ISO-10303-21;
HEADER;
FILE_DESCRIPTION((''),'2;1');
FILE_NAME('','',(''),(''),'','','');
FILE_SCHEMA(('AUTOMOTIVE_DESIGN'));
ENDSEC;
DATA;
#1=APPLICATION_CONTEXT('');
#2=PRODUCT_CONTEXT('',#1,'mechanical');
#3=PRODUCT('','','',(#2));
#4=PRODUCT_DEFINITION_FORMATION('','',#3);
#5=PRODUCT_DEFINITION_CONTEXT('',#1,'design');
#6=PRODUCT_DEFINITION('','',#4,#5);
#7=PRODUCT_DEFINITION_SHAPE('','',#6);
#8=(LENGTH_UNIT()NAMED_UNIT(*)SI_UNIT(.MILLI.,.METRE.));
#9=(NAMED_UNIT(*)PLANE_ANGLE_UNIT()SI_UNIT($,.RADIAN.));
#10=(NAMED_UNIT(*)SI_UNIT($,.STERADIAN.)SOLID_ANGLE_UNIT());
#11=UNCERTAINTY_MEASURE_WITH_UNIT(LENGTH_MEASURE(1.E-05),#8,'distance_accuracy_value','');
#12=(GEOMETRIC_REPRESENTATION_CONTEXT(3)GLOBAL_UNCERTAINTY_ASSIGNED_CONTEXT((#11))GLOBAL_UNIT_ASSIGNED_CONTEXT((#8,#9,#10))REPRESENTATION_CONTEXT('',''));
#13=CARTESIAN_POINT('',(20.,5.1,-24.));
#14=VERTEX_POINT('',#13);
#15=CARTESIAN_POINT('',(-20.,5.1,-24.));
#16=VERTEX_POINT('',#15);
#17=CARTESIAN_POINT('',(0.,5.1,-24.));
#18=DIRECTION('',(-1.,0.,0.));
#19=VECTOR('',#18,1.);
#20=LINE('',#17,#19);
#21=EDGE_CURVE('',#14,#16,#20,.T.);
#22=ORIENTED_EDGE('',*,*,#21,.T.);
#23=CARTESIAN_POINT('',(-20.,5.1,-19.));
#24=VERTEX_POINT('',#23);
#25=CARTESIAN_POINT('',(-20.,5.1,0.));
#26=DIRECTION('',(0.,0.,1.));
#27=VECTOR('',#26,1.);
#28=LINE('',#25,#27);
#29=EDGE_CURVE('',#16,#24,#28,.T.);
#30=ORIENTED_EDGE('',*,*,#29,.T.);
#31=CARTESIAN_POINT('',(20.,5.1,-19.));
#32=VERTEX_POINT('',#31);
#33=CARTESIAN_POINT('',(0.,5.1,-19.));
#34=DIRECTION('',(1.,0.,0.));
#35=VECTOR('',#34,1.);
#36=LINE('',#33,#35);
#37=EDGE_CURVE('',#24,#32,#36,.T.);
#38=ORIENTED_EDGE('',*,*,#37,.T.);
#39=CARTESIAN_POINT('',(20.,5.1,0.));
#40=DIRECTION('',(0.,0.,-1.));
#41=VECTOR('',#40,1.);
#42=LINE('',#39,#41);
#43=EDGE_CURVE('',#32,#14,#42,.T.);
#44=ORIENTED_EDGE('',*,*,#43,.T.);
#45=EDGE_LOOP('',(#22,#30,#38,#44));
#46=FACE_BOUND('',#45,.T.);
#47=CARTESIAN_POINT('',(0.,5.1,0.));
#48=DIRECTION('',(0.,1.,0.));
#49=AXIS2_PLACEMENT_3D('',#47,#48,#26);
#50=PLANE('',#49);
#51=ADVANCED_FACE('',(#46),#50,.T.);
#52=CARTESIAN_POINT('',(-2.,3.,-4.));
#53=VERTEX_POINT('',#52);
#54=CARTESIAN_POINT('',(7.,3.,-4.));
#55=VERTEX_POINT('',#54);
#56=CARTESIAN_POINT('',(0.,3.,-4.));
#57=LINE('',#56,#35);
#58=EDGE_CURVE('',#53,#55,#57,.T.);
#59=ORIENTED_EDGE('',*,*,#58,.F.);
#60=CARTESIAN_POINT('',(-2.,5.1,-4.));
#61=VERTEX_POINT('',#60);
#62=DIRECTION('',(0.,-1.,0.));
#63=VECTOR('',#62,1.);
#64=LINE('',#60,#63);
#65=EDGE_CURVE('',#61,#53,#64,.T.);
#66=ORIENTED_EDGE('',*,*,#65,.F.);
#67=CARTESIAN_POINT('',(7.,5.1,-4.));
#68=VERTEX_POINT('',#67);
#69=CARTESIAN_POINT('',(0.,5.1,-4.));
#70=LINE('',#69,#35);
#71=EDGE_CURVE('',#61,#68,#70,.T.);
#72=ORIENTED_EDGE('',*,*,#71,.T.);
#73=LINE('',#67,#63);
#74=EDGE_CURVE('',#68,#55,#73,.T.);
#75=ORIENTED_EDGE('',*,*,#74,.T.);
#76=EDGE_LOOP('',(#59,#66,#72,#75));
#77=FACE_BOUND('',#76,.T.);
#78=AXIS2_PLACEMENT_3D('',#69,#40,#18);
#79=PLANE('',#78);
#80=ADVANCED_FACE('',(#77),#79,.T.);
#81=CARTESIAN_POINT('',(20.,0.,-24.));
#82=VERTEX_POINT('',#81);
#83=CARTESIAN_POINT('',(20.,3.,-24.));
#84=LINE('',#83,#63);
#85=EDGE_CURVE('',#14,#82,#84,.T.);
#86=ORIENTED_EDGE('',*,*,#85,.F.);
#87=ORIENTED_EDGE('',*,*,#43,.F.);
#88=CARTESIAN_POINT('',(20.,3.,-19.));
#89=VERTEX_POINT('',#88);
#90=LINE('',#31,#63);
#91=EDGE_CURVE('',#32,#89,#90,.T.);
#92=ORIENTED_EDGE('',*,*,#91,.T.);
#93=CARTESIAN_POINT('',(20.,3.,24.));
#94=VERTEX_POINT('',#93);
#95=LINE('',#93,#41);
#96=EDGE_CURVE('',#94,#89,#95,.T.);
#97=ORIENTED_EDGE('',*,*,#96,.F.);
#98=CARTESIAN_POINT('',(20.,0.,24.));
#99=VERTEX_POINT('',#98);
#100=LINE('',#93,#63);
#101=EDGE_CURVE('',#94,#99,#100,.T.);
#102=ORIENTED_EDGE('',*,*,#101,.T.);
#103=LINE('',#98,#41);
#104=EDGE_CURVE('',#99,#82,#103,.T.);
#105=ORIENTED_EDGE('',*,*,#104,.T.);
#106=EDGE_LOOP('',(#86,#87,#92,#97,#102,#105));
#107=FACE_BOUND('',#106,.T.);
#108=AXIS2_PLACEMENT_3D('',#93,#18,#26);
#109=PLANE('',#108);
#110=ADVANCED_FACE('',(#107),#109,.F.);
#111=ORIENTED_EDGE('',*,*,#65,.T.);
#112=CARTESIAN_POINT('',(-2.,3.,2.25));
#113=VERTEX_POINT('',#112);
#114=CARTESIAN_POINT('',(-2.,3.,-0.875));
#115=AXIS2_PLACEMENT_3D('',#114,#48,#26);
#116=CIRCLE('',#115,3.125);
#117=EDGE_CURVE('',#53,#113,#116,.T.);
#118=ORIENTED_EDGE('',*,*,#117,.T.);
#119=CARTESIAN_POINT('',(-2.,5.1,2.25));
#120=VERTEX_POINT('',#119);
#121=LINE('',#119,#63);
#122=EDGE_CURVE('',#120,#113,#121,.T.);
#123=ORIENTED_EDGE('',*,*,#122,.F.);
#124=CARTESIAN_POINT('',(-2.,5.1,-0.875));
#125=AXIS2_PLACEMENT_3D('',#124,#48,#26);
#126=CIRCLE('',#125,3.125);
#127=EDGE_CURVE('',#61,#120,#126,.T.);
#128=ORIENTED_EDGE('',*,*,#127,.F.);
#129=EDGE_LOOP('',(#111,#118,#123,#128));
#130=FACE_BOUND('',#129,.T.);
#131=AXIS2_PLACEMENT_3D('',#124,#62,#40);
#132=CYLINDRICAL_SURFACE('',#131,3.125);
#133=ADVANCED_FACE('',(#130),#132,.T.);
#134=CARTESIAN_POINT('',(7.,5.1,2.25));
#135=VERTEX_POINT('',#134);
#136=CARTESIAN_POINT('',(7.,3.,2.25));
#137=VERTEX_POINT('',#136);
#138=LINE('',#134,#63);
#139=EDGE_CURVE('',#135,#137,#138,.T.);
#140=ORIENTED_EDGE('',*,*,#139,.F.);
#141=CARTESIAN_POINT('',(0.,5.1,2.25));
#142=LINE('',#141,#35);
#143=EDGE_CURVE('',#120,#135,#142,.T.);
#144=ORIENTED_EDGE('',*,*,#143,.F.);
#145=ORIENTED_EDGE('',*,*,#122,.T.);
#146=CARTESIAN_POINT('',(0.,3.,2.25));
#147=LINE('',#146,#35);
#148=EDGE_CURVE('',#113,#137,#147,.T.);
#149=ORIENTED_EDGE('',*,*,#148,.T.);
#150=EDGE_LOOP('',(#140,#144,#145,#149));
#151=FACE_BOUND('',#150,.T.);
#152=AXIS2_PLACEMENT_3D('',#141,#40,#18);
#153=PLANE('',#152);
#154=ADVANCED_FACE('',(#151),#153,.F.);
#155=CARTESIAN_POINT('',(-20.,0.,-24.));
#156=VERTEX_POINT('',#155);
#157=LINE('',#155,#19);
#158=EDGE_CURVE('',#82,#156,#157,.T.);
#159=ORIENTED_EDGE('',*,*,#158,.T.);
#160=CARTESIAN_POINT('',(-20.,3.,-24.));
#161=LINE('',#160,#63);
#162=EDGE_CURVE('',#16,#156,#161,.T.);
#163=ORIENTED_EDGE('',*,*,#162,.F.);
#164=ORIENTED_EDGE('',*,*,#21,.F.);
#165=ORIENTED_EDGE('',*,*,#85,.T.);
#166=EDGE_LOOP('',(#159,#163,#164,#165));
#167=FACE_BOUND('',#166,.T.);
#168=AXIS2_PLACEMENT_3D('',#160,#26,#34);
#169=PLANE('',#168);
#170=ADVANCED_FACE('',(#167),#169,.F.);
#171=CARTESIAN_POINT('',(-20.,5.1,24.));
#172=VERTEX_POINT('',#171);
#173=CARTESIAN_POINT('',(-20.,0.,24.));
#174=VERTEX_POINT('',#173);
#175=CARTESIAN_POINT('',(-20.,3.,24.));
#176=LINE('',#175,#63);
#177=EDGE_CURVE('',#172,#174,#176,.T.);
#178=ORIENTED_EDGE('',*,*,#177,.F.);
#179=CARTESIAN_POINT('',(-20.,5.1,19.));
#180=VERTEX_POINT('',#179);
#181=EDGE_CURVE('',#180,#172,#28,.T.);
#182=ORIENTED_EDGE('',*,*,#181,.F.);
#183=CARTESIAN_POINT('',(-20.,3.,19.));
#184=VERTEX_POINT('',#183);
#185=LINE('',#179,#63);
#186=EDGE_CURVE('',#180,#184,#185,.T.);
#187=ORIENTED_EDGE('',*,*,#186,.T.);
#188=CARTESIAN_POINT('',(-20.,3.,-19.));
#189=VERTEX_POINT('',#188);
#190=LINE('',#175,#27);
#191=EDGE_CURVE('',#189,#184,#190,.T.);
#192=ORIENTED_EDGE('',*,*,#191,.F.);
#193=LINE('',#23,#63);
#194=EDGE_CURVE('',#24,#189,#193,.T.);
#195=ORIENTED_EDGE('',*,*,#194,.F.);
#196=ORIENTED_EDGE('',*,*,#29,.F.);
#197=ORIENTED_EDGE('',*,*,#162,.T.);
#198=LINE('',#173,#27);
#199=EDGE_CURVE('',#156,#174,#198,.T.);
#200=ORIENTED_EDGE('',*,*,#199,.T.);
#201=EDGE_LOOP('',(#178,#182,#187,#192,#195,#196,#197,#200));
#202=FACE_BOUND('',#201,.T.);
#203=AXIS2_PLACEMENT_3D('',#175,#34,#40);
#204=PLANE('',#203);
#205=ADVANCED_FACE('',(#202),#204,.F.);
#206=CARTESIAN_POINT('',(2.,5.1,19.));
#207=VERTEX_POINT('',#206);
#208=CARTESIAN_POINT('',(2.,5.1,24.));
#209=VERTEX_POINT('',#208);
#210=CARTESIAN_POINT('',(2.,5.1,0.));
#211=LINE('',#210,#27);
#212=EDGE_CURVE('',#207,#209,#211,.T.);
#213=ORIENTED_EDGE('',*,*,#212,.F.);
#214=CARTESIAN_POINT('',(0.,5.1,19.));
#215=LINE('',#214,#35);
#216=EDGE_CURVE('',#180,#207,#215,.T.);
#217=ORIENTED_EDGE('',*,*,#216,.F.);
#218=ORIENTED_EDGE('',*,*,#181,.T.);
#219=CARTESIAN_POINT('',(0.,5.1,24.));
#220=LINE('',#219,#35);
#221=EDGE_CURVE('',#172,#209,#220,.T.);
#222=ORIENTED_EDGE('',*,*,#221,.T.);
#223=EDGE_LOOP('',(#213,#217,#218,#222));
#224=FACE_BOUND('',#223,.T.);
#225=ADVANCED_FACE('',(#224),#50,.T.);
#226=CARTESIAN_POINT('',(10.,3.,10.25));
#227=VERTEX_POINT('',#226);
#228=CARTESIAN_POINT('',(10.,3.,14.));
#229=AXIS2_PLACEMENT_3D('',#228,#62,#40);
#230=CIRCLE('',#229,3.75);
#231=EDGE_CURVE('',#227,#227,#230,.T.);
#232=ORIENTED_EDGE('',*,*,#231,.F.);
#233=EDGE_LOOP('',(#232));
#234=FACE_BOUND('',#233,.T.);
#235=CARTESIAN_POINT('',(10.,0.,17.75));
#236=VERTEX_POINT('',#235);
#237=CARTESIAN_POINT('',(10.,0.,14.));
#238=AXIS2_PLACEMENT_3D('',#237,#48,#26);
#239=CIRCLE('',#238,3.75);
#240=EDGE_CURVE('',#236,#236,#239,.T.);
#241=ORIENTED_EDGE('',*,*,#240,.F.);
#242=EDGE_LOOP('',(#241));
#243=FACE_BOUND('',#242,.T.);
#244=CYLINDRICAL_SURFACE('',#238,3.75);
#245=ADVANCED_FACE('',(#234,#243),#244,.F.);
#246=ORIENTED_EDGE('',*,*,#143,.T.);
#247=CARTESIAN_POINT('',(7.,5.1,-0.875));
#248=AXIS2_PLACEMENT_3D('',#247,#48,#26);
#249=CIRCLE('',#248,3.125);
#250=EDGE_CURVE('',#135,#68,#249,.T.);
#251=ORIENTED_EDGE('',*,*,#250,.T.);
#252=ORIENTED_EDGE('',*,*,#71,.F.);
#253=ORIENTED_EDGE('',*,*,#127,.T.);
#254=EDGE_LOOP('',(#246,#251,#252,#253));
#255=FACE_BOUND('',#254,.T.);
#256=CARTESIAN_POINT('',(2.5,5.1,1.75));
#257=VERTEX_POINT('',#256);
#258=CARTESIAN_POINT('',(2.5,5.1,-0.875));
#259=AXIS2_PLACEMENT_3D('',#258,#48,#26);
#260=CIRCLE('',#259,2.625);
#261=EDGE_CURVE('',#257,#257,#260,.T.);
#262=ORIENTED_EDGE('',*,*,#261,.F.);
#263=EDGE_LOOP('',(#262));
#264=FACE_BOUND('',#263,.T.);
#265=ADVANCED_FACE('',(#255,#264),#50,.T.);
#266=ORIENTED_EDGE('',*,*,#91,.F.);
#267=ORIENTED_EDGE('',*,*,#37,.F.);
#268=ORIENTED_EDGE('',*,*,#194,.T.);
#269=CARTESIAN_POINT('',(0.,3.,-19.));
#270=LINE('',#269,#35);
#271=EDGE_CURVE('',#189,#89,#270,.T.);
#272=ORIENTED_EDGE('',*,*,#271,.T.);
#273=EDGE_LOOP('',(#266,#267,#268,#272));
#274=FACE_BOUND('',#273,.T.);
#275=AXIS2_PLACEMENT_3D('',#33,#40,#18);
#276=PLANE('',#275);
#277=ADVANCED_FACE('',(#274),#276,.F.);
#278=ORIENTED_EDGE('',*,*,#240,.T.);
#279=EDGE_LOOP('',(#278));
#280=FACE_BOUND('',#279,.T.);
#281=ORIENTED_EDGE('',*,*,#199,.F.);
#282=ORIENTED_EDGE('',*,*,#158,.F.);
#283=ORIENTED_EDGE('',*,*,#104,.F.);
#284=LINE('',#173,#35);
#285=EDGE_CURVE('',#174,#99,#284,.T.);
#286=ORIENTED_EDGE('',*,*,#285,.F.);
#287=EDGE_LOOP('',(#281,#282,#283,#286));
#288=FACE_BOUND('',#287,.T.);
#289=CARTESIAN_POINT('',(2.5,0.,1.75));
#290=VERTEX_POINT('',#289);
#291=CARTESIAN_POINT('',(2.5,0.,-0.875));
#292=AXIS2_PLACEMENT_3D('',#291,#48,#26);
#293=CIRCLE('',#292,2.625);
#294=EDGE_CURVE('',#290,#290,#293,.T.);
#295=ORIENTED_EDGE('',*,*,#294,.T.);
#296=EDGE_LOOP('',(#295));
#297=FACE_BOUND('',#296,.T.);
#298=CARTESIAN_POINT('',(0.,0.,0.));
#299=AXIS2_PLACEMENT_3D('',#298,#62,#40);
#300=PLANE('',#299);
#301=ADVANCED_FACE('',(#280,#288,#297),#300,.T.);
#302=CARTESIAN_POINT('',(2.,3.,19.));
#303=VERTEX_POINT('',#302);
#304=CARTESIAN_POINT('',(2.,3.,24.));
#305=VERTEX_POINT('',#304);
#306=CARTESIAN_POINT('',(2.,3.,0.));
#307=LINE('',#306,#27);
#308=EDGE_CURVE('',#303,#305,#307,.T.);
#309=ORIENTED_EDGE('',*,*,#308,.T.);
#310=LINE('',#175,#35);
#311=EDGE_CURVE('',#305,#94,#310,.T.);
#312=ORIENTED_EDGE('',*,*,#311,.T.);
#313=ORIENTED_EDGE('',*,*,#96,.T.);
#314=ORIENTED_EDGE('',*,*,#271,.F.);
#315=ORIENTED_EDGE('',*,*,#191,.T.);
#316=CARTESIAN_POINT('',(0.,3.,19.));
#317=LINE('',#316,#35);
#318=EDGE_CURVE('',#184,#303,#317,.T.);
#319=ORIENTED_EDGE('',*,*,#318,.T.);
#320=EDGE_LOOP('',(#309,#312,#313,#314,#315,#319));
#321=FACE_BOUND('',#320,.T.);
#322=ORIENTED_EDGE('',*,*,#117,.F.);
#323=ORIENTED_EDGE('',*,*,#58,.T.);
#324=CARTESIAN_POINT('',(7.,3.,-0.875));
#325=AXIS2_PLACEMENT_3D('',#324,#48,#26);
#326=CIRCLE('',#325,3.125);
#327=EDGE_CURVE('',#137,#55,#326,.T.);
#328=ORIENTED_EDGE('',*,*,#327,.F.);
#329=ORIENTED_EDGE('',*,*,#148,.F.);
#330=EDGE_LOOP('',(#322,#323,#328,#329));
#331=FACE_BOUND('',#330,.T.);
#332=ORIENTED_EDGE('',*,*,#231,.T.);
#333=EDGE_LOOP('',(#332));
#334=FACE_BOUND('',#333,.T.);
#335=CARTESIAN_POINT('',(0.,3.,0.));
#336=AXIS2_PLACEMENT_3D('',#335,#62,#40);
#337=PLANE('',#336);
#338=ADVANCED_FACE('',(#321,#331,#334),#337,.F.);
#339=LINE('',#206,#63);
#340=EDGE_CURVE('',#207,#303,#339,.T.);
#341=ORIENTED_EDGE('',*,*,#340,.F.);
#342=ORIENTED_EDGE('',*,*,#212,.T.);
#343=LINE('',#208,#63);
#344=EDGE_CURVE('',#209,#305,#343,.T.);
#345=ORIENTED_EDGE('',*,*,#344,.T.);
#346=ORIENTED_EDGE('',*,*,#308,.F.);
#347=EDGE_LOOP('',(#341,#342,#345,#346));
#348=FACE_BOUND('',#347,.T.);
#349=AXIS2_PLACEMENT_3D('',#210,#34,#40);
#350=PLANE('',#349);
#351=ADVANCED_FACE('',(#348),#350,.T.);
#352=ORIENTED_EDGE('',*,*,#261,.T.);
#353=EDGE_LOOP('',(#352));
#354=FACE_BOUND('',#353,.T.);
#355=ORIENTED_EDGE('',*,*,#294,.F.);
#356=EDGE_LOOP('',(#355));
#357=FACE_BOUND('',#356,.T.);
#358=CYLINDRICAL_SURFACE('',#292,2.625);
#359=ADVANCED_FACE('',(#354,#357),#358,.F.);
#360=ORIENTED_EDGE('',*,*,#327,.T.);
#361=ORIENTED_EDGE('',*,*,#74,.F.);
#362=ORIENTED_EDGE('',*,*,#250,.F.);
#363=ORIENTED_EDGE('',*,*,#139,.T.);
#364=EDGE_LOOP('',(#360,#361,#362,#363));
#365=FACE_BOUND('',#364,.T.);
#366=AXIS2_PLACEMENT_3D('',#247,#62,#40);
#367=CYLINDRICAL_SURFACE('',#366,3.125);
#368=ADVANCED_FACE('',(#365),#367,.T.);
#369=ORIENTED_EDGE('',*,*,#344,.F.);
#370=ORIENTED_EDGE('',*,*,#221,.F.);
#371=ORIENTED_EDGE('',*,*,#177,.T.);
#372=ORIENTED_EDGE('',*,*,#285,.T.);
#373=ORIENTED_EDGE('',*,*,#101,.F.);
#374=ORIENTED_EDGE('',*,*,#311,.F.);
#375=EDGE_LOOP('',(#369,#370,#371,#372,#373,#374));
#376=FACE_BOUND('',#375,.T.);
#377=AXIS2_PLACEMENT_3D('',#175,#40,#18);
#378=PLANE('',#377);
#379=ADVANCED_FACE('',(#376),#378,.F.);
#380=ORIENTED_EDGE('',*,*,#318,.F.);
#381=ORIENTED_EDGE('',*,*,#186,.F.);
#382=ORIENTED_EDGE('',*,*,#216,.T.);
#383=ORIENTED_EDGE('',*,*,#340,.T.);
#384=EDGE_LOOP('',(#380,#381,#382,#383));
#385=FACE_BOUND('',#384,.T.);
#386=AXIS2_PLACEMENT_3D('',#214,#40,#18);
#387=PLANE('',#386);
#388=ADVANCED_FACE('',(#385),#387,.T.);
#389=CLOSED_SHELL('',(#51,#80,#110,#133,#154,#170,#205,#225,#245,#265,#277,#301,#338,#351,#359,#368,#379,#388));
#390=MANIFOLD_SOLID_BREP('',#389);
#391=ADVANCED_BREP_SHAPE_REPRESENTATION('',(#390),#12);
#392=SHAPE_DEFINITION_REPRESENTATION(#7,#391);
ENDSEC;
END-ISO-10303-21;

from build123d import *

# Parameters (mm, degrees)
SKETCH2_W               = 40
SKETCH2_H               = 48
BOSS_EXTRUDE3_DEPTH     = 3
SKETCH3_W               = 22
SKETCH3_H               = 5
SKETCH3_W_2             = 40
BOSS_EXTRUDE4_DEPTH     = 2.1
SKETCH4_R               = 2.625
CUT_EXTRUDE1_DEPTH      = 1
CUT_EXTRUDE1_DEPTH_BACK = 6.1
SKETCH5_R               = 3.75
CUT_EXTRUDE2_DEPTH      = 3.1
CUT_EXTRUDE2_DEPTH_BACK = 4


with BuildPart() as part:
    # Sketch2 → Boss-Extrude3 (new body)
    with BuildSketch(Plane(origin=(0, 0, 0), x_dir=(1, 0, 0), z_dir=(0, 1, 0))):
        Rectangle(SKETCH2_W, SKETCH2_H)
    extrude(amount=BOSS_EXTRUDE3_DEPTH)

    # Sketch3 → Boss-Extrude4 (add)
    with BuildSketch(Plane(origin=(0, 3, 0), x_dir=(1, 0, 0), z_dir=(0, 1, 0))):
        with Locations((-9, -21.5)):
            Rectangle(SKETCH3_W, SKETCH3_H)
        with BuildLine():
            ThreePointArc((1.125, 0.875), (0.209708691, 3.084708691), (-2, 4))
            Line((-2, 4), (-2, -2.25))
            ThreePointArc((-2, -2.25), (0.209708691, -1.334708691), (1.125, 0.875))
        make_face()
        with BuildLine():
            Line((-2, -2.25), (-2, 4))
            ThreePointArc((-2, 4), (-5.125, 0.875), (-2, -2.25))
        make_face()
        with BuildLine():
            ThreePointArc((10.125, 0.875), (9.209708691, 3.084708691), (7, 4))
            Line((7, 4), (7, -2.25))
            ThreePointArc((7, -2.25), (9.209708691, -1.334708691), (10.125, 0.875))
        make_face()
        with BuildLine():
            Line((7, -2.25), (7, 4))
            ThreePointArc((7, 4), (3.875, 0.875), (7, -2.25))
        make_face()
        with BuildLine():
            Line((7, 4), (-2, 4))
            ThreePointArc((-2, 4), (0.209708691, 3.084708691), (1.125, 0.875))
            ThreePointArc((1.125, 0.875), (0.209708691, -1.334708691), (-2, -2.25))
            Line((-2, -2.25), (7, -2.25))
            ThreePointArc((7, -2.25), (3.875, 0.875), (7, 4))
        make_face()
        with Locations((0, 21.5)):
            Rectangle(SKETCH3_W_2, SKETCH3_H)
    extrude(amount=BOSS_EXTRUDE4_DEPTH)

    # Sketch4 → Cut-Extrude1 (cut, two sides)
    with BuildSketch(Plane(origin=(0, 5.1, 0), x_dir=(1, 0, 0), z_dir=(0, 1, 0))) as cut_extrude1_sk:
        with Locations((2.5, 0.875)):
            Circle(SKETCH4_R)
    extrude(amount=CUT_EXTRUDE1_DEPTH, mode=Mode.SUBTRACT)
    extrude(cut_extrude1_sk.sketch, amount=-CUT_EXTRUDE1_DEPTH_BACK, mode=Mode.SUBTRACT)

    # Sketch5 → Cut-Extrude2 (cut, two sides)
    with BuildSketch(Plane(origin=(0, 3, 0), x_dir=(1, 0, 0), z_dir=(0, 1, 0))) as cut_extrude2_sk:
        with Locations((10, -14)):
            Circle(SKETCH5_R)
    extrude(amount=CUT_EXTRUDE2_DEPTH, mode=Mode.SUBTRACT)
    extrude(cut_extrude2_sk.sketch, amount=-CUT_EXTRUDE2_DEPTH_BACK, mode=Mode.SUBTRACT)


solid = part.part
